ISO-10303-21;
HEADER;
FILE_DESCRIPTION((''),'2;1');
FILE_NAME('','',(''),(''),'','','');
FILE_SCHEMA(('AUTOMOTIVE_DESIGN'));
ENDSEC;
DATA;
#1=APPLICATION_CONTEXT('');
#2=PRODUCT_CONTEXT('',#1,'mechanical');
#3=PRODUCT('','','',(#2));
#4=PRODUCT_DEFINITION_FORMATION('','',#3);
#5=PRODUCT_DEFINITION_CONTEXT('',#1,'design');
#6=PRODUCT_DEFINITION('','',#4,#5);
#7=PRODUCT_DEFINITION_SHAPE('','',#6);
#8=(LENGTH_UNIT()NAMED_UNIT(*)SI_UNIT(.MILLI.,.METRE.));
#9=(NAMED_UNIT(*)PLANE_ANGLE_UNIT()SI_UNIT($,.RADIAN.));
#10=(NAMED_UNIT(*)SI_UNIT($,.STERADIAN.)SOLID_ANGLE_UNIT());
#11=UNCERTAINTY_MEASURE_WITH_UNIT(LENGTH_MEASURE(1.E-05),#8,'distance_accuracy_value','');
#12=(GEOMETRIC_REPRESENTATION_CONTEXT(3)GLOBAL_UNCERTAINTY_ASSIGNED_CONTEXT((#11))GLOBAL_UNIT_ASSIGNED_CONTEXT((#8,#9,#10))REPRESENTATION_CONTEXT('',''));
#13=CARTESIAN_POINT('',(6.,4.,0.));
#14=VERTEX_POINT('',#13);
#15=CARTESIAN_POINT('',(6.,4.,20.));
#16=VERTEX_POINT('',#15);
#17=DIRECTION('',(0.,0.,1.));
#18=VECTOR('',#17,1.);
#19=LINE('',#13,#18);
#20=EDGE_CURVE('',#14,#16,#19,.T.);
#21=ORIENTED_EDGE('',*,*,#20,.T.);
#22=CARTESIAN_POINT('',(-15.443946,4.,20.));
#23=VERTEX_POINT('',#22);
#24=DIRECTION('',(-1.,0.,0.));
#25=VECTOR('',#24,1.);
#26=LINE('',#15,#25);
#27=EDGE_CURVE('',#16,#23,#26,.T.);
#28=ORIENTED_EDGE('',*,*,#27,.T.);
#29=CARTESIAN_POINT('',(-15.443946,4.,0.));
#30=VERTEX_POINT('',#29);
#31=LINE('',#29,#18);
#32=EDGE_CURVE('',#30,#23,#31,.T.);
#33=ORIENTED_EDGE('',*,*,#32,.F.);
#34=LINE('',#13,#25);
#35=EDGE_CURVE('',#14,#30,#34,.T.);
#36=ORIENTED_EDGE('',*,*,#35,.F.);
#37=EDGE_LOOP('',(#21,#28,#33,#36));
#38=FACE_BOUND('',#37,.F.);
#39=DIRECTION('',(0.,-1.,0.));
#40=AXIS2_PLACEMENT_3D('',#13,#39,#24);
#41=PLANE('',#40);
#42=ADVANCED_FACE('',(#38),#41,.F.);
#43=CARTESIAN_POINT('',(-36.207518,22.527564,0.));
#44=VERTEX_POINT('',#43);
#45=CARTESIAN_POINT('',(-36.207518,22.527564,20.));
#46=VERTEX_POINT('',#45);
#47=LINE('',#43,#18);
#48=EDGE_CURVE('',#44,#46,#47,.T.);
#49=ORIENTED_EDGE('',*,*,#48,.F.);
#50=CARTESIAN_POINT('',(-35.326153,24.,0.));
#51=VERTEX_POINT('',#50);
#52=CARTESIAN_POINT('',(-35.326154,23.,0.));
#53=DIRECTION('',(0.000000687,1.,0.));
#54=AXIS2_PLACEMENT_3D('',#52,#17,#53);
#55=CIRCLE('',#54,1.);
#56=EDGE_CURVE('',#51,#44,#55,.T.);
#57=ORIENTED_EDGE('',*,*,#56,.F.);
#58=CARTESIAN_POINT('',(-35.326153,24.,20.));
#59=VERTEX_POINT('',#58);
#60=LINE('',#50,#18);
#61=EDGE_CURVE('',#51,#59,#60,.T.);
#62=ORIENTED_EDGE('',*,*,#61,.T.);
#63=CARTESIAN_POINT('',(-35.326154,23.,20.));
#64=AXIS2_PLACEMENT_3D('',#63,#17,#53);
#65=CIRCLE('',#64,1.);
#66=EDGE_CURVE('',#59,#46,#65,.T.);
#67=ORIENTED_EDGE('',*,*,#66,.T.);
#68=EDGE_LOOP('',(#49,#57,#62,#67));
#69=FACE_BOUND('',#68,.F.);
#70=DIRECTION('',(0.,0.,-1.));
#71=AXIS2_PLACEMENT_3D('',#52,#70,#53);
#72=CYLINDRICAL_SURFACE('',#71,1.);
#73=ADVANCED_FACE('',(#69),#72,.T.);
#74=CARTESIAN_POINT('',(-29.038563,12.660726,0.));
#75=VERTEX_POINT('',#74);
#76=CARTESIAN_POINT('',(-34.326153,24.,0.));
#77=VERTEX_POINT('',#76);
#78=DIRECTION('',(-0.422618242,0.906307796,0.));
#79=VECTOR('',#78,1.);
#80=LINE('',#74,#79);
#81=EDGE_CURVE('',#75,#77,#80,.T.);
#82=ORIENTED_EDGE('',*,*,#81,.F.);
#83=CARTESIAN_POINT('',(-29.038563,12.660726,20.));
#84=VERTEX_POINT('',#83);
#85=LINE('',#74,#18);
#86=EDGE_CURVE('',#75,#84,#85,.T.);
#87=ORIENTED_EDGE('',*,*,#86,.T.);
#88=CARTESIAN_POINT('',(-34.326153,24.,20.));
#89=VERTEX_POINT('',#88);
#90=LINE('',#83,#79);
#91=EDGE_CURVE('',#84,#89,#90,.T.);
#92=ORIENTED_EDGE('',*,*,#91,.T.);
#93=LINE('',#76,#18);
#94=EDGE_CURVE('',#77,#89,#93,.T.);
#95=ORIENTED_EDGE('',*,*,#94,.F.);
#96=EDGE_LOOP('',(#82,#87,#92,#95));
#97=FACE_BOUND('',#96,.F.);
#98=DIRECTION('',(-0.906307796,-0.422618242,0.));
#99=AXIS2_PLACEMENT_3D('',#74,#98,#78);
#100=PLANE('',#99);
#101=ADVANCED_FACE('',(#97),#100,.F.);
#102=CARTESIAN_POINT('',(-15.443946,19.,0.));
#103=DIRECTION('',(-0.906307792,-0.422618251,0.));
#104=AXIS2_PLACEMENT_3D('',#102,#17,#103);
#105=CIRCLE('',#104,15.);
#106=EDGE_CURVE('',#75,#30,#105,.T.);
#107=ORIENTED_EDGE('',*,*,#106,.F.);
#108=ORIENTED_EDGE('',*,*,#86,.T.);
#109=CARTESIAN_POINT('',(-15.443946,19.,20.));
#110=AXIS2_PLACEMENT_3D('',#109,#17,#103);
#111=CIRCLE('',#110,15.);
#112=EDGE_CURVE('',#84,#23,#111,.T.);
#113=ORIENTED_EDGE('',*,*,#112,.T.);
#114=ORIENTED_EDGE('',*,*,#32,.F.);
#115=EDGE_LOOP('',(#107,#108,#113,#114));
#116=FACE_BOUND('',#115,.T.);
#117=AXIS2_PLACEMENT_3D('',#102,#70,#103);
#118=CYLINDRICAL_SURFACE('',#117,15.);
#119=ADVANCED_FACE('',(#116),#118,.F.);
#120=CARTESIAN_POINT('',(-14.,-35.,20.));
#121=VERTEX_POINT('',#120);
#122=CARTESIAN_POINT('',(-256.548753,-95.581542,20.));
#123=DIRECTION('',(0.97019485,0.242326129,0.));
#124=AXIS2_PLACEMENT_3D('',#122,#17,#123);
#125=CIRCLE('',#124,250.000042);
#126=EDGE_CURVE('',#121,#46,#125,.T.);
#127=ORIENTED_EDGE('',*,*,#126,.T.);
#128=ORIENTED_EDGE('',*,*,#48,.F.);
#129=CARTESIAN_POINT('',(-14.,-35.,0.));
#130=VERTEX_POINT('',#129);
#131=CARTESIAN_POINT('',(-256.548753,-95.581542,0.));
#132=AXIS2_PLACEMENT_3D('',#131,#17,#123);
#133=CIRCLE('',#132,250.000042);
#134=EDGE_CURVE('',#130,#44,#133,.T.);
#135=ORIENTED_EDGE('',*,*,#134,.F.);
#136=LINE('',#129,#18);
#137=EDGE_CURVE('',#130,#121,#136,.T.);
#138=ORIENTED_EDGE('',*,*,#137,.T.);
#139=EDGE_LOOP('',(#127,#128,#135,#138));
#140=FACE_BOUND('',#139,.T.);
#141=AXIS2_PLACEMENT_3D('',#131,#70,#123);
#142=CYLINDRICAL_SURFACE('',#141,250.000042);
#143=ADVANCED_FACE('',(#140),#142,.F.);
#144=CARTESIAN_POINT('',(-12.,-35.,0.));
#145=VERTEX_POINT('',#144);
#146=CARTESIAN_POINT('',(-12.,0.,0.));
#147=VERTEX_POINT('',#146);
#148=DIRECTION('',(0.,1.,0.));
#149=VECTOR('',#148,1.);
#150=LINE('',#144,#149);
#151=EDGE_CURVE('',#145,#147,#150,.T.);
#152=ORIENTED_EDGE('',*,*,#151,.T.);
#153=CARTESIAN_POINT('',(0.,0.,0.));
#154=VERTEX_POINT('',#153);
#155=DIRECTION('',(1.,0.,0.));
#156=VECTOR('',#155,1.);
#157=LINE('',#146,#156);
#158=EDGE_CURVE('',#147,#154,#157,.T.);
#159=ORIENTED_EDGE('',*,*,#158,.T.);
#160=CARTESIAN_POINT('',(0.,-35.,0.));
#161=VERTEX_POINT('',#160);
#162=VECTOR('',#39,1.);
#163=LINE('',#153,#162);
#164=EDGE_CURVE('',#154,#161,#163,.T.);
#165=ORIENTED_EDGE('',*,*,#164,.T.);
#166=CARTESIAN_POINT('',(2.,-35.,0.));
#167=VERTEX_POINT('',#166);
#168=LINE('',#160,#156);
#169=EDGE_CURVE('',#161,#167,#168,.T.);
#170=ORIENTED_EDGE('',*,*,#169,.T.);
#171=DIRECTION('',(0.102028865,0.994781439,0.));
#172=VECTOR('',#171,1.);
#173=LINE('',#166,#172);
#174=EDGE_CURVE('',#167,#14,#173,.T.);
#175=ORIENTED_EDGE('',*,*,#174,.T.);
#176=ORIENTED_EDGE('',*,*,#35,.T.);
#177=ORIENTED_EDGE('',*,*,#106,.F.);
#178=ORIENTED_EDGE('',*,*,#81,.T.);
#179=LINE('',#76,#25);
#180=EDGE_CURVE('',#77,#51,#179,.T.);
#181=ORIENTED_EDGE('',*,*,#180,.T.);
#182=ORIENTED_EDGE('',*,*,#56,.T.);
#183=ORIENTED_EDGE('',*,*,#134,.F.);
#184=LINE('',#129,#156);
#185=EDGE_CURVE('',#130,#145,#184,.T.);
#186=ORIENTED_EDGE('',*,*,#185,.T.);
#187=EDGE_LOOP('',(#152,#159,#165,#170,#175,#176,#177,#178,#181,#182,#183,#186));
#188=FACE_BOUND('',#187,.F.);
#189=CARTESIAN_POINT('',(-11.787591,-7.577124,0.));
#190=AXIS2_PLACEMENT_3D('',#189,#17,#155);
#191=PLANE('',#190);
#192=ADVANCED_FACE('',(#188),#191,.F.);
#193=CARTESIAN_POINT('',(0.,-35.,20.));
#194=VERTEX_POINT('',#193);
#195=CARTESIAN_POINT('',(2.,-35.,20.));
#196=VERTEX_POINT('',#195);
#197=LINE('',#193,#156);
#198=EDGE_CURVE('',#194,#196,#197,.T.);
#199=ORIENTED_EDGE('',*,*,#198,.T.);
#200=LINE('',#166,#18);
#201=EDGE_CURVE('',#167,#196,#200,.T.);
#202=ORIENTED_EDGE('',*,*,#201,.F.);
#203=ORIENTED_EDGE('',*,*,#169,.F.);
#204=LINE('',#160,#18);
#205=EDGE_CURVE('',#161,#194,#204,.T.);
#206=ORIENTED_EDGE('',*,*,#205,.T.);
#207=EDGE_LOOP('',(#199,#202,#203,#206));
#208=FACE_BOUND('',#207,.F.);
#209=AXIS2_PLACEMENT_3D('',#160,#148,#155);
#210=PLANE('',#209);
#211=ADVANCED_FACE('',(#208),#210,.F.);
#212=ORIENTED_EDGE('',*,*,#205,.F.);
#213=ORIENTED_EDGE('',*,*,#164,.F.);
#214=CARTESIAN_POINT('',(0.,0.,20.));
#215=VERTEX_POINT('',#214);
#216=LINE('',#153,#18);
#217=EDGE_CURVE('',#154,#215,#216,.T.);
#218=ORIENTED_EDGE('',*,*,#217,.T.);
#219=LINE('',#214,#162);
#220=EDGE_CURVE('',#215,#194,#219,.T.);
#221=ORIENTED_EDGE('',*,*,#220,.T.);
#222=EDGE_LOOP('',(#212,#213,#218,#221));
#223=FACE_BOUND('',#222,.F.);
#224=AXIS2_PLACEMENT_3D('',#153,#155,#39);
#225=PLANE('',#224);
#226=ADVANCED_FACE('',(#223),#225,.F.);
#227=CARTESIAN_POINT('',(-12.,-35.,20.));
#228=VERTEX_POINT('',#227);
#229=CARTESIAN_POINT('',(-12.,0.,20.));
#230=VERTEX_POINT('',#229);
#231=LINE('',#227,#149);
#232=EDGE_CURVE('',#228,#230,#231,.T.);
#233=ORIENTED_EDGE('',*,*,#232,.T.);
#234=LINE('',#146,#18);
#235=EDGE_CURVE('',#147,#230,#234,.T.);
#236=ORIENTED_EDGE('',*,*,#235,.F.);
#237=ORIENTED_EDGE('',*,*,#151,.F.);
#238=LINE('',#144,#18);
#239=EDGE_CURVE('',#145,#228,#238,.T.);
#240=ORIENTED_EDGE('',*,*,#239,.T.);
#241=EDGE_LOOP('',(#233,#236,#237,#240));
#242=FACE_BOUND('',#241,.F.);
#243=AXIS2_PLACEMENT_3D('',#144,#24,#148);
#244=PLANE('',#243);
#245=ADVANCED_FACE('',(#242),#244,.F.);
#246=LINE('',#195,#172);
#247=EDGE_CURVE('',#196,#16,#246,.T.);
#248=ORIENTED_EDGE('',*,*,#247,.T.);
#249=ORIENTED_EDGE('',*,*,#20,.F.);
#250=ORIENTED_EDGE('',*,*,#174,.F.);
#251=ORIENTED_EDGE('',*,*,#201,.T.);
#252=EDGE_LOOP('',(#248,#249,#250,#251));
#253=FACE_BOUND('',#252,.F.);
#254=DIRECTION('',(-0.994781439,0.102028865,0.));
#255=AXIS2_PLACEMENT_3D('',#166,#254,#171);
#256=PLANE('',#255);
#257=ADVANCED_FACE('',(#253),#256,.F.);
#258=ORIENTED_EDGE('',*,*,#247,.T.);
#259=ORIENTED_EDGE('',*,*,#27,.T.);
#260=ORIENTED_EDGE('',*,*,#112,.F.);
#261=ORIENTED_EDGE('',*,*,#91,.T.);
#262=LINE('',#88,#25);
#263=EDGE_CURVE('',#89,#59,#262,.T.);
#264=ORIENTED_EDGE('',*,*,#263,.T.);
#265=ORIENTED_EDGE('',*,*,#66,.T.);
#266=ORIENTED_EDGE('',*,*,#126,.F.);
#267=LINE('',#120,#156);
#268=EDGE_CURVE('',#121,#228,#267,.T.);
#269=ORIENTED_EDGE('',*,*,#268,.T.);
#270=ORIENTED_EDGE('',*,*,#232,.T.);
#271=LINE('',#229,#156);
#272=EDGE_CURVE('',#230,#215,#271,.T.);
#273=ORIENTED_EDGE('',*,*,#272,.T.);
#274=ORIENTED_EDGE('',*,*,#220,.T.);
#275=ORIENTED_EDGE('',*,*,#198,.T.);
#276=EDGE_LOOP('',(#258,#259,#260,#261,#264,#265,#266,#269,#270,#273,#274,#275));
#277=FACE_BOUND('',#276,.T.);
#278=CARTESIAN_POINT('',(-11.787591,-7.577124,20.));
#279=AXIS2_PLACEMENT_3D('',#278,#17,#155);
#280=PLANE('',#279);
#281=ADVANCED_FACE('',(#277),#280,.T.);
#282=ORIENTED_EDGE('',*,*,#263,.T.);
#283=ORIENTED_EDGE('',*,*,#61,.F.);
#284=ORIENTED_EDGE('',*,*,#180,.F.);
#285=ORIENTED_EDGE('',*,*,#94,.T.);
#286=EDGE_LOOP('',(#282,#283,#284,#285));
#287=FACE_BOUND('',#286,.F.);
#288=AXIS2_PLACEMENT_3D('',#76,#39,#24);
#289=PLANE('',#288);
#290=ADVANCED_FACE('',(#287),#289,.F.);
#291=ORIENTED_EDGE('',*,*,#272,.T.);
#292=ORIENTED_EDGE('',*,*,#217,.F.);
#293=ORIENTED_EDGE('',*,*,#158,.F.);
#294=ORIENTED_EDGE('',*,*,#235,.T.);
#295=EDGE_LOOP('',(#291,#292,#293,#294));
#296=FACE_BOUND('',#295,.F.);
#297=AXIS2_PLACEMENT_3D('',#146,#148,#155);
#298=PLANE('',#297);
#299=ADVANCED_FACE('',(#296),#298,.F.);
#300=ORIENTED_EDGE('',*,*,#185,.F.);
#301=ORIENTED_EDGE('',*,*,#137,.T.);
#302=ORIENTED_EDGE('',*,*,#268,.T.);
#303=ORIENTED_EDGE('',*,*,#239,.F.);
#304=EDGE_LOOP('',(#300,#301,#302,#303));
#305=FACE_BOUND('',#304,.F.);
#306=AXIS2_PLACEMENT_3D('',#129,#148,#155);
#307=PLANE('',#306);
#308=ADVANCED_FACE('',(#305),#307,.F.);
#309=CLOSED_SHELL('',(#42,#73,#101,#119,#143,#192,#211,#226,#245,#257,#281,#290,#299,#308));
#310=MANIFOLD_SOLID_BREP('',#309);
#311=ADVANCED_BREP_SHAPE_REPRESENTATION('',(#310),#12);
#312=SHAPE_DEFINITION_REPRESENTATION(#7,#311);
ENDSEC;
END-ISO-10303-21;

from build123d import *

# Parameters (mm, degrees)
PAD_DEPTH = 20


with BuildPart() as part:
    # Sketch → Pad (new body)
    with BuildSketch(Plane.XY):
        with BuildLine():
            Line((0, 0), (0, -35))
            Line((0, -35), (2, -35))
            Line((2, -35), (6, 4))
            Line((6, 4), (-15.443946, 4))
            ThreePointArc((-29.038563, 12.660726), (-23.50344, 6.349128), (-15.443946, 4))
            Line((-29.038563, 12.660726), (-34.326153, 24))
            Line((-34.326153, 24), (-35.326153, 24))
            ThreePointArc((-35.326153, 24), (-36.184185, 23.513597), (-36.207518, 22.527564))
            ThreePointArc((-14, -35), (-23.323239, -5.548879), (-36.207518, 22.527564))
            Line((-14, -35), (-12, -35))
            Line((-12, -35), (-12, 0))
            Line((-12, 0), (0, 0))
        make_face()
    extrude(amount=PAD_DEPTH)


solid = part.part
